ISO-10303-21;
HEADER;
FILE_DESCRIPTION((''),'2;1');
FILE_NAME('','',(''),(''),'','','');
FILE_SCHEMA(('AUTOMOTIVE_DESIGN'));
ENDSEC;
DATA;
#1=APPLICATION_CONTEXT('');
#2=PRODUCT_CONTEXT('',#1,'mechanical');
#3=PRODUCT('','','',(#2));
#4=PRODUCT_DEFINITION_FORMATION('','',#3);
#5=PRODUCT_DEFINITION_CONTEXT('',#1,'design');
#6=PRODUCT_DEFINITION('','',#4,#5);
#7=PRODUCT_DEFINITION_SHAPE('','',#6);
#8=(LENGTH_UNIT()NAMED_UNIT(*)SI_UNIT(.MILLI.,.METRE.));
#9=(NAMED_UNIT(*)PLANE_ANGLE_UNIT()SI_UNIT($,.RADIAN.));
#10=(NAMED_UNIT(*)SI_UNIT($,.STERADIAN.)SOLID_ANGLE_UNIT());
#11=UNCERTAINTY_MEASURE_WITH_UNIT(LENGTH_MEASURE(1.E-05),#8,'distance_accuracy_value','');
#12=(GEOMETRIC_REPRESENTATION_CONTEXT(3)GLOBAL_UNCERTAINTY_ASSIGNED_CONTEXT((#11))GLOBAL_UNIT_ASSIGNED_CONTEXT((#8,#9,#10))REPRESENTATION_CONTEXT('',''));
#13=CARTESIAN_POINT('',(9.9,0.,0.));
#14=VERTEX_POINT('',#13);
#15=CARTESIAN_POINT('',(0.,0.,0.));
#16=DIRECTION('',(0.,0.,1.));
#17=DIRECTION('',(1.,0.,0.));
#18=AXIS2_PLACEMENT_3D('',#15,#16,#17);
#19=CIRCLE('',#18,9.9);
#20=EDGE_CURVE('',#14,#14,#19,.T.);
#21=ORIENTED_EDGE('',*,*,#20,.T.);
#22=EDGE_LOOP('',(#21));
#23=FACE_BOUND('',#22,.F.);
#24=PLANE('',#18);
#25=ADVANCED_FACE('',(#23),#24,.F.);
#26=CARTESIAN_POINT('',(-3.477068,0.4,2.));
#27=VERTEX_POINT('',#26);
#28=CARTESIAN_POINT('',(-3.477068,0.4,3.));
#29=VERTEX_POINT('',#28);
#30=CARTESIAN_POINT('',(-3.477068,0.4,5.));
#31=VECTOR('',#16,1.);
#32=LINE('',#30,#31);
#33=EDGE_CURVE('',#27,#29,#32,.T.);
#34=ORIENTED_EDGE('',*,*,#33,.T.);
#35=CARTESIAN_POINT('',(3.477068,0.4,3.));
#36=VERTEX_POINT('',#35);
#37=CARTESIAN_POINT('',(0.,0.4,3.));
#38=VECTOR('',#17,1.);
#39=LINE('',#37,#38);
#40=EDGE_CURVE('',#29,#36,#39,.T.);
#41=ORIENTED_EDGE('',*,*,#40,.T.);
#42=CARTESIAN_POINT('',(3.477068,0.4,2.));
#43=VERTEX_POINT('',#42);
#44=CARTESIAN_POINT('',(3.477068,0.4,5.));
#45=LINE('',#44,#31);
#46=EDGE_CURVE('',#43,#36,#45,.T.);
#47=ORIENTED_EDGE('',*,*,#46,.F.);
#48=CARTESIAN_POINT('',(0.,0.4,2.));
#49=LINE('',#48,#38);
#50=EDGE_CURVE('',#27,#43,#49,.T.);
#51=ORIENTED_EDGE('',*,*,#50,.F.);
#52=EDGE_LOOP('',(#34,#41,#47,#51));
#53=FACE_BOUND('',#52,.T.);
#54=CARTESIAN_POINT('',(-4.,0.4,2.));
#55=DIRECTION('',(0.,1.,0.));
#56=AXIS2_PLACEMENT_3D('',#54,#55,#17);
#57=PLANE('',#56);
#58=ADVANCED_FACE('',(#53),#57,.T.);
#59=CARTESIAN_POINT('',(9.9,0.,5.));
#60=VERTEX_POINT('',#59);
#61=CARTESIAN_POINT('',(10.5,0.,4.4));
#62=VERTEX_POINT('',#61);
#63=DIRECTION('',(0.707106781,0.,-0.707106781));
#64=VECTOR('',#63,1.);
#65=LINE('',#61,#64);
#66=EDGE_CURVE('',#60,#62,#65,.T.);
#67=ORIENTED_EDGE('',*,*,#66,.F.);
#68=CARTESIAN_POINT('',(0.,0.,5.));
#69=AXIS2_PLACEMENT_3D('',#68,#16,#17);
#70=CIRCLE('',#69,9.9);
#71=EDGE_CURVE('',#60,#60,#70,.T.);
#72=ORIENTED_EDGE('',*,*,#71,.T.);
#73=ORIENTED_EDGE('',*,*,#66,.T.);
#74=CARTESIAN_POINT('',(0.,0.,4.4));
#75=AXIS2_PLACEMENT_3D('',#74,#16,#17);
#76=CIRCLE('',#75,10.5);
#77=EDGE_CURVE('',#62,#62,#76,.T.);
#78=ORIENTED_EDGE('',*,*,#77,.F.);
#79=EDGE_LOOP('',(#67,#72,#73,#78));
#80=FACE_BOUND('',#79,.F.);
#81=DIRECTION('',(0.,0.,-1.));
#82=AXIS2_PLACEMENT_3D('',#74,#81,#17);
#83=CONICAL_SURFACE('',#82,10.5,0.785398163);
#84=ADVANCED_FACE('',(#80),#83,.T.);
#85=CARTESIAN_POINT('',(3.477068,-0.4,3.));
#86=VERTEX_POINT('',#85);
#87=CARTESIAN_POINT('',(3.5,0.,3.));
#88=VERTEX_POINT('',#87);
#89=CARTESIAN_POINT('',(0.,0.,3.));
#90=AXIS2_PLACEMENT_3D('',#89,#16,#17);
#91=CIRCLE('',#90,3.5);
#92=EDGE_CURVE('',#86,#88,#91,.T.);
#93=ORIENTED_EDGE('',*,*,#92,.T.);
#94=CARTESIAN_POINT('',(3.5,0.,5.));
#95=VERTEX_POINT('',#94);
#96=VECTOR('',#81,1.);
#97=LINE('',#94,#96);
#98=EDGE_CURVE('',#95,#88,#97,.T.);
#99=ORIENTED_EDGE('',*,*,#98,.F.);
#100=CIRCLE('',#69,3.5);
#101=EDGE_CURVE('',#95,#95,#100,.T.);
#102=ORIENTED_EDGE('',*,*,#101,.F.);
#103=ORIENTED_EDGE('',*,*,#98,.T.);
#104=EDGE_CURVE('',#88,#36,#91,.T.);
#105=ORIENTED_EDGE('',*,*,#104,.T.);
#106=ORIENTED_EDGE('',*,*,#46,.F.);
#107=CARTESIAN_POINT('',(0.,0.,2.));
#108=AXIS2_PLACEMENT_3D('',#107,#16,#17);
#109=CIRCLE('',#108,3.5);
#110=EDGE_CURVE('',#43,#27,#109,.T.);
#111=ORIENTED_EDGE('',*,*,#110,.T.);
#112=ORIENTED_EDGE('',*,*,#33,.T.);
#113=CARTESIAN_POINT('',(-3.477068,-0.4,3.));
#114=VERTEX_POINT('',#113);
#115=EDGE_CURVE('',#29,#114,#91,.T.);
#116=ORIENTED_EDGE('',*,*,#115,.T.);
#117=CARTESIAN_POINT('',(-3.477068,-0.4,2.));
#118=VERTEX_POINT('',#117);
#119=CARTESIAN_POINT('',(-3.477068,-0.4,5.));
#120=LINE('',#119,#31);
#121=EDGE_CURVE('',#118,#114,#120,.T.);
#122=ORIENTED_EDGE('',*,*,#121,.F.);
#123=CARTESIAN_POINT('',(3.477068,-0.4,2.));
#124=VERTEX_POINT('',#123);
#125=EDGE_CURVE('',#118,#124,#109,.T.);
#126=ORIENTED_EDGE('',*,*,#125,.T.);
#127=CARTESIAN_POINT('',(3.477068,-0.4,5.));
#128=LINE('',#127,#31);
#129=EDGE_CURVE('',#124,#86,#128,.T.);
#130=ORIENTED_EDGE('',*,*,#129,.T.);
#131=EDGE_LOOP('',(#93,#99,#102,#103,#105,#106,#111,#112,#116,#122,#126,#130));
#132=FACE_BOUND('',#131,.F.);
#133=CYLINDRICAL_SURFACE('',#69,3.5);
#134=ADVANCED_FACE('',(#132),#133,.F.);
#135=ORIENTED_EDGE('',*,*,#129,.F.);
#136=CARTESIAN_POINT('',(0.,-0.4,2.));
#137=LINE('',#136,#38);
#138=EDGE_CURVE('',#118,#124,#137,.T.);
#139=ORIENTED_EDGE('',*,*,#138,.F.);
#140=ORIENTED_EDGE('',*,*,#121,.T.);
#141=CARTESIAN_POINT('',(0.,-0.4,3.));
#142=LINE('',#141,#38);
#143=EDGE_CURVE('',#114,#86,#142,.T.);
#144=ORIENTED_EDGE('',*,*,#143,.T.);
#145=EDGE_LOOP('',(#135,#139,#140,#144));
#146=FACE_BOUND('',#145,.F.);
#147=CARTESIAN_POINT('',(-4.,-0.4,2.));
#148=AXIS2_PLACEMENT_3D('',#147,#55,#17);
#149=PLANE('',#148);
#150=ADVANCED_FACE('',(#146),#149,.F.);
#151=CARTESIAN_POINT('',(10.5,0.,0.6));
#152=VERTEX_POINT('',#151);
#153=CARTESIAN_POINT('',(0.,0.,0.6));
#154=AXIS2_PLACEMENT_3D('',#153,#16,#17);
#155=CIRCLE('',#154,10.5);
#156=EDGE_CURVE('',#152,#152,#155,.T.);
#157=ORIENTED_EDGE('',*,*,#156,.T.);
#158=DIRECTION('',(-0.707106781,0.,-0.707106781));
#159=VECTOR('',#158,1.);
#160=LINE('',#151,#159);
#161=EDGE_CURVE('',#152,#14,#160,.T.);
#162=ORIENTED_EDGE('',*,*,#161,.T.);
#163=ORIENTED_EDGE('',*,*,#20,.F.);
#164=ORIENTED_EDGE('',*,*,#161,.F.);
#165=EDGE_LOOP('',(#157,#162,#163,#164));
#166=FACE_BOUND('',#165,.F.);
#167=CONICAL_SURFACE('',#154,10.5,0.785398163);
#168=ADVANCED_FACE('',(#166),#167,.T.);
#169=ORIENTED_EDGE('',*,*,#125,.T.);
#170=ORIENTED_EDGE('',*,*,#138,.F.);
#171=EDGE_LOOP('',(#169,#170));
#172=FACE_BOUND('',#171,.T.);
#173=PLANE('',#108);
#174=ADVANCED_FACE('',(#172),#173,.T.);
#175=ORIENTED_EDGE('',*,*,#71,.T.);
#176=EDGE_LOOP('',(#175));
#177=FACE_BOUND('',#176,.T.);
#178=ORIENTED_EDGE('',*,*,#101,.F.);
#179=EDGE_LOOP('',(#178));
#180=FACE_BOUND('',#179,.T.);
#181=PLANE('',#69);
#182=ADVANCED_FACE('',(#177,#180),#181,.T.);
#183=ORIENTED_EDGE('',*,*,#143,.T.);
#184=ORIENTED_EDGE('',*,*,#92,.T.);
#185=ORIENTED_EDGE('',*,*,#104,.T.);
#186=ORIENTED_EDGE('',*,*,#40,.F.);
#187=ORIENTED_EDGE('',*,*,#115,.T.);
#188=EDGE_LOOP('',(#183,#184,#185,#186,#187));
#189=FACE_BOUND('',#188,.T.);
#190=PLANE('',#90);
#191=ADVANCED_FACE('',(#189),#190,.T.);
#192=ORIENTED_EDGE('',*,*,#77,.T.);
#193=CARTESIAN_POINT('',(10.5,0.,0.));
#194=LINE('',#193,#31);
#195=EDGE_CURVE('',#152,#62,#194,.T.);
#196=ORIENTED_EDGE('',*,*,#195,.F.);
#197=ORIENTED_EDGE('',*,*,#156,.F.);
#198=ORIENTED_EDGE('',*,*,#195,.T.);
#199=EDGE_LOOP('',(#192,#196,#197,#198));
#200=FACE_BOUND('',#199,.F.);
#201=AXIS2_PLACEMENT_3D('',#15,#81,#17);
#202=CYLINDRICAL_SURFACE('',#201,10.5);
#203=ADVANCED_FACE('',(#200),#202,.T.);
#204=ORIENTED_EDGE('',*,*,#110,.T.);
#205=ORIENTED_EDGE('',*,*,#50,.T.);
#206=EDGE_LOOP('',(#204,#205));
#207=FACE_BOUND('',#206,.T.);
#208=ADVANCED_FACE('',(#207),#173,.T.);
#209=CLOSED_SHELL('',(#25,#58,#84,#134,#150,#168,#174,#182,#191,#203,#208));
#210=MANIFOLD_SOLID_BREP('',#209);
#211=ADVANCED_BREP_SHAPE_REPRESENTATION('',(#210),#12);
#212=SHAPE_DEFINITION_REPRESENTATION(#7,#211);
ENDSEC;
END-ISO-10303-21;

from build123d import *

# Parameters (mm, degrees)
F0_R     = 10.5
F1_DEPTH = 5
F2_R     = 3.5
F3_DEPTH = 3
F4_W     = 8
F4_H     = 0.8
F5_DEPTH = 1
F6_SIZE  = 0.6


with BuildPart() as f1:
    # F0 (on Top) → F1 (new body)
    with BuildSketch(Plane.XY):
        Circle(F0_R)
    extrude(amount=F1_DEPTH)

    # F2 (on face) → F3 (cut)
    with BuildSketch(Plane.XY.offset(5)):
        Circle(F2_R)
    extrude(amount=-F3_DEPTH, mode=Mode.SUBTRACT)

    # F4 (on face) → F5 (join)
    with BuildSketch(Plane.XY.offset(2)):
        Rectangle(F4_W, F4_H)
    extrude(amount=F5_DEPTH)

    # F6
    f6_edges = [f1.edges().sort_by_distance(p)[0] for p in [
        (-10.5, 0, 5),
        (-10.5, 0, 0),
    ]]
    chamfer(f6_edges, length=F6_SIZE)


solid = f1.part
